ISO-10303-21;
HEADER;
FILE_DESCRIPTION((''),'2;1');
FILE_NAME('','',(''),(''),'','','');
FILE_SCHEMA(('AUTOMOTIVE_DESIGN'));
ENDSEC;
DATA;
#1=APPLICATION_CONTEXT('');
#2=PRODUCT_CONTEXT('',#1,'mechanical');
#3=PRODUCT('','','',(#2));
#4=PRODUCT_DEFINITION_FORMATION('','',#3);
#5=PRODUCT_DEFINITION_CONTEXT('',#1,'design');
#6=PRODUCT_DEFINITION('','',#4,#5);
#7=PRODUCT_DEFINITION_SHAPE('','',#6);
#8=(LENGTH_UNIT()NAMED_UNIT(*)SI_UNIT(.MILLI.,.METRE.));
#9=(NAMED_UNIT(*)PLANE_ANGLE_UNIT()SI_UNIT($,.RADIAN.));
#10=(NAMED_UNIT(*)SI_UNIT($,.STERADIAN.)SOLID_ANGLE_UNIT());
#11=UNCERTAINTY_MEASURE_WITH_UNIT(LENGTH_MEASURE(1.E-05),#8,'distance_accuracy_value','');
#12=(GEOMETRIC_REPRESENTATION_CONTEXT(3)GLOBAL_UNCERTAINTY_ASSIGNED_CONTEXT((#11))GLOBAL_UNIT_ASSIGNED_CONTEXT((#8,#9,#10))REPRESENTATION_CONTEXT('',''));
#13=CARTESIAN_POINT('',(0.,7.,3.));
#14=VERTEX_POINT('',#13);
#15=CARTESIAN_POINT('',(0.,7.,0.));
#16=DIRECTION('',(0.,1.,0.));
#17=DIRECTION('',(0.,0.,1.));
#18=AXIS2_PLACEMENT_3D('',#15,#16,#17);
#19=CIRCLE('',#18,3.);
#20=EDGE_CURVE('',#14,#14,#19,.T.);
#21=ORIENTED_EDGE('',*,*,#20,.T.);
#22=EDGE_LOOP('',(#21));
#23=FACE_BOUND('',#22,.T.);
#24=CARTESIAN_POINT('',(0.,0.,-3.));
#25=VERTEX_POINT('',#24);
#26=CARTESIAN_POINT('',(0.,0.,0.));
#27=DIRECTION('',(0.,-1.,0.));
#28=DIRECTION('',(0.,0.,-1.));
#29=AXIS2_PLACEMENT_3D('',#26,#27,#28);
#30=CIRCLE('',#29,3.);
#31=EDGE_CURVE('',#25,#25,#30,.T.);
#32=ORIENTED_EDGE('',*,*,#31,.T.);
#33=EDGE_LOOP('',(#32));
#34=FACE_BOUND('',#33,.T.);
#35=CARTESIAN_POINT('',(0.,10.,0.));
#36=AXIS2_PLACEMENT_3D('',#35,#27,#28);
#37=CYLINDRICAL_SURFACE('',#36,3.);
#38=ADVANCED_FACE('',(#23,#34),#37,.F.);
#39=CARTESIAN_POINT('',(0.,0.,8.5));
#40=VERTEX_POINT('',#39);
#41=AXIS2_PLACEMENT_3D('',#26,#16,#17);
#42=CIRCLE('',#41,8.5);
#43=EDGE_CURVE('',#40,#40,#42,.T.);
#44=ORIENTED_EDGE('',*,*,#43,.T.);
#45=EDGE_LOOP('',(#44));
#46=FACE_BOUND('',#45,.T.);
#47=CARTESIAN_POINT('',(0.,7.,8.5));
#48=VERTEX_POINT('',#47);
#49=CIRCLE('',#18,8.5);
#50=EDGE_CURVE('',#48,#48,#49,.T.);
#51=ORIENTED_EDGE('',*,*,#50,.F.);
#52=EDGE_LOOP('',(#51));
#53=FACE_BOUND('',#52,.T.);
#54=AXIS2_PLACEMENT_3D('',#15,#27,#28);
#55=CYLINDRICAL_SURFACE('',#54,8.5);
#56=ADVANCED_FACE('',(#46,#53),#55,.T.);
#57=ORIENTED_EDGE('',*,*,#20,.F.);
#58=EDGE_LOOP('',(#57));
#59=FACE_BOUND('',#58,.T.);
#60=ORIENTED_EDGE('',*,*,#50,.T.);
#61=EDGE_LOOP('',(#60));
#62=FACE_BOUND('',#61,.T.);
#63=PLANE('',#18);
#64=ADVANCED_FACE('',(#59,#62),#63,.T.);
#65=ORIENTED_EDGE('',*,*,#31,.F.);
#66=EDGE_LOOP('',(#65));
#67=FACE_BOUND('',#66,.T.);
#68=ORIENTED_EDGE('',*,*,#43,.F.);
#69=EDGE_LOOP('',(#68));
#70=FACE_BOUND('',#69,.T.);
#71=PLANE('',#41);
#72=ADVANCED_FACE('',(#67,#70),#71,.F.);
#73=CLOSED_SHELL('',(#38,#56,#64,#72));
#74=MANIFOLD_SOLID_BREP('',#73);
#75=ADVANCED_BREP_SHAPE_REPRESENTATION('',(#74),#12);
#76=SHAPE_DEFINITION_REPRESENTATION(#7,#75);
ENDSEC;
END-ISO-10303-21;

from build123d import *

# Parameters (mm, degrees)
SKETCH1_R           = 8.5
BOSS_EXTRUDE1_DEPTH = 7
SKETCH2_R           = 3
CUT_EXTRUDE1_DEPTH  = 10


with BuildPart() as part:
    # Sketch1 → Boss-Extrude1 (new body)
    with BuildSketch(Plane(origin=(0, 0, 0), x_dir=(1, 0, 0), z_dir=(0, 1, 0))):
        with Locations(Location((0, 0, 0), (0, 0, 270))):
            Circle(SKETCH1_R)
    extrude(amount=BOSS_EXTRUDE1_DEPTH)

    # Sketch2 → Cut-Extrude1 (cut)
    with BuildSketch(Plane.XZ):
        with Locations(Location((0, 0, 0), (0, 0, 270))):
            Circle(SKETCH2_R)
    extrude(amount=-CUT_EXTRUDE1_DEPTH, mode=Mode.SUBTRACT)


solid = part.part
